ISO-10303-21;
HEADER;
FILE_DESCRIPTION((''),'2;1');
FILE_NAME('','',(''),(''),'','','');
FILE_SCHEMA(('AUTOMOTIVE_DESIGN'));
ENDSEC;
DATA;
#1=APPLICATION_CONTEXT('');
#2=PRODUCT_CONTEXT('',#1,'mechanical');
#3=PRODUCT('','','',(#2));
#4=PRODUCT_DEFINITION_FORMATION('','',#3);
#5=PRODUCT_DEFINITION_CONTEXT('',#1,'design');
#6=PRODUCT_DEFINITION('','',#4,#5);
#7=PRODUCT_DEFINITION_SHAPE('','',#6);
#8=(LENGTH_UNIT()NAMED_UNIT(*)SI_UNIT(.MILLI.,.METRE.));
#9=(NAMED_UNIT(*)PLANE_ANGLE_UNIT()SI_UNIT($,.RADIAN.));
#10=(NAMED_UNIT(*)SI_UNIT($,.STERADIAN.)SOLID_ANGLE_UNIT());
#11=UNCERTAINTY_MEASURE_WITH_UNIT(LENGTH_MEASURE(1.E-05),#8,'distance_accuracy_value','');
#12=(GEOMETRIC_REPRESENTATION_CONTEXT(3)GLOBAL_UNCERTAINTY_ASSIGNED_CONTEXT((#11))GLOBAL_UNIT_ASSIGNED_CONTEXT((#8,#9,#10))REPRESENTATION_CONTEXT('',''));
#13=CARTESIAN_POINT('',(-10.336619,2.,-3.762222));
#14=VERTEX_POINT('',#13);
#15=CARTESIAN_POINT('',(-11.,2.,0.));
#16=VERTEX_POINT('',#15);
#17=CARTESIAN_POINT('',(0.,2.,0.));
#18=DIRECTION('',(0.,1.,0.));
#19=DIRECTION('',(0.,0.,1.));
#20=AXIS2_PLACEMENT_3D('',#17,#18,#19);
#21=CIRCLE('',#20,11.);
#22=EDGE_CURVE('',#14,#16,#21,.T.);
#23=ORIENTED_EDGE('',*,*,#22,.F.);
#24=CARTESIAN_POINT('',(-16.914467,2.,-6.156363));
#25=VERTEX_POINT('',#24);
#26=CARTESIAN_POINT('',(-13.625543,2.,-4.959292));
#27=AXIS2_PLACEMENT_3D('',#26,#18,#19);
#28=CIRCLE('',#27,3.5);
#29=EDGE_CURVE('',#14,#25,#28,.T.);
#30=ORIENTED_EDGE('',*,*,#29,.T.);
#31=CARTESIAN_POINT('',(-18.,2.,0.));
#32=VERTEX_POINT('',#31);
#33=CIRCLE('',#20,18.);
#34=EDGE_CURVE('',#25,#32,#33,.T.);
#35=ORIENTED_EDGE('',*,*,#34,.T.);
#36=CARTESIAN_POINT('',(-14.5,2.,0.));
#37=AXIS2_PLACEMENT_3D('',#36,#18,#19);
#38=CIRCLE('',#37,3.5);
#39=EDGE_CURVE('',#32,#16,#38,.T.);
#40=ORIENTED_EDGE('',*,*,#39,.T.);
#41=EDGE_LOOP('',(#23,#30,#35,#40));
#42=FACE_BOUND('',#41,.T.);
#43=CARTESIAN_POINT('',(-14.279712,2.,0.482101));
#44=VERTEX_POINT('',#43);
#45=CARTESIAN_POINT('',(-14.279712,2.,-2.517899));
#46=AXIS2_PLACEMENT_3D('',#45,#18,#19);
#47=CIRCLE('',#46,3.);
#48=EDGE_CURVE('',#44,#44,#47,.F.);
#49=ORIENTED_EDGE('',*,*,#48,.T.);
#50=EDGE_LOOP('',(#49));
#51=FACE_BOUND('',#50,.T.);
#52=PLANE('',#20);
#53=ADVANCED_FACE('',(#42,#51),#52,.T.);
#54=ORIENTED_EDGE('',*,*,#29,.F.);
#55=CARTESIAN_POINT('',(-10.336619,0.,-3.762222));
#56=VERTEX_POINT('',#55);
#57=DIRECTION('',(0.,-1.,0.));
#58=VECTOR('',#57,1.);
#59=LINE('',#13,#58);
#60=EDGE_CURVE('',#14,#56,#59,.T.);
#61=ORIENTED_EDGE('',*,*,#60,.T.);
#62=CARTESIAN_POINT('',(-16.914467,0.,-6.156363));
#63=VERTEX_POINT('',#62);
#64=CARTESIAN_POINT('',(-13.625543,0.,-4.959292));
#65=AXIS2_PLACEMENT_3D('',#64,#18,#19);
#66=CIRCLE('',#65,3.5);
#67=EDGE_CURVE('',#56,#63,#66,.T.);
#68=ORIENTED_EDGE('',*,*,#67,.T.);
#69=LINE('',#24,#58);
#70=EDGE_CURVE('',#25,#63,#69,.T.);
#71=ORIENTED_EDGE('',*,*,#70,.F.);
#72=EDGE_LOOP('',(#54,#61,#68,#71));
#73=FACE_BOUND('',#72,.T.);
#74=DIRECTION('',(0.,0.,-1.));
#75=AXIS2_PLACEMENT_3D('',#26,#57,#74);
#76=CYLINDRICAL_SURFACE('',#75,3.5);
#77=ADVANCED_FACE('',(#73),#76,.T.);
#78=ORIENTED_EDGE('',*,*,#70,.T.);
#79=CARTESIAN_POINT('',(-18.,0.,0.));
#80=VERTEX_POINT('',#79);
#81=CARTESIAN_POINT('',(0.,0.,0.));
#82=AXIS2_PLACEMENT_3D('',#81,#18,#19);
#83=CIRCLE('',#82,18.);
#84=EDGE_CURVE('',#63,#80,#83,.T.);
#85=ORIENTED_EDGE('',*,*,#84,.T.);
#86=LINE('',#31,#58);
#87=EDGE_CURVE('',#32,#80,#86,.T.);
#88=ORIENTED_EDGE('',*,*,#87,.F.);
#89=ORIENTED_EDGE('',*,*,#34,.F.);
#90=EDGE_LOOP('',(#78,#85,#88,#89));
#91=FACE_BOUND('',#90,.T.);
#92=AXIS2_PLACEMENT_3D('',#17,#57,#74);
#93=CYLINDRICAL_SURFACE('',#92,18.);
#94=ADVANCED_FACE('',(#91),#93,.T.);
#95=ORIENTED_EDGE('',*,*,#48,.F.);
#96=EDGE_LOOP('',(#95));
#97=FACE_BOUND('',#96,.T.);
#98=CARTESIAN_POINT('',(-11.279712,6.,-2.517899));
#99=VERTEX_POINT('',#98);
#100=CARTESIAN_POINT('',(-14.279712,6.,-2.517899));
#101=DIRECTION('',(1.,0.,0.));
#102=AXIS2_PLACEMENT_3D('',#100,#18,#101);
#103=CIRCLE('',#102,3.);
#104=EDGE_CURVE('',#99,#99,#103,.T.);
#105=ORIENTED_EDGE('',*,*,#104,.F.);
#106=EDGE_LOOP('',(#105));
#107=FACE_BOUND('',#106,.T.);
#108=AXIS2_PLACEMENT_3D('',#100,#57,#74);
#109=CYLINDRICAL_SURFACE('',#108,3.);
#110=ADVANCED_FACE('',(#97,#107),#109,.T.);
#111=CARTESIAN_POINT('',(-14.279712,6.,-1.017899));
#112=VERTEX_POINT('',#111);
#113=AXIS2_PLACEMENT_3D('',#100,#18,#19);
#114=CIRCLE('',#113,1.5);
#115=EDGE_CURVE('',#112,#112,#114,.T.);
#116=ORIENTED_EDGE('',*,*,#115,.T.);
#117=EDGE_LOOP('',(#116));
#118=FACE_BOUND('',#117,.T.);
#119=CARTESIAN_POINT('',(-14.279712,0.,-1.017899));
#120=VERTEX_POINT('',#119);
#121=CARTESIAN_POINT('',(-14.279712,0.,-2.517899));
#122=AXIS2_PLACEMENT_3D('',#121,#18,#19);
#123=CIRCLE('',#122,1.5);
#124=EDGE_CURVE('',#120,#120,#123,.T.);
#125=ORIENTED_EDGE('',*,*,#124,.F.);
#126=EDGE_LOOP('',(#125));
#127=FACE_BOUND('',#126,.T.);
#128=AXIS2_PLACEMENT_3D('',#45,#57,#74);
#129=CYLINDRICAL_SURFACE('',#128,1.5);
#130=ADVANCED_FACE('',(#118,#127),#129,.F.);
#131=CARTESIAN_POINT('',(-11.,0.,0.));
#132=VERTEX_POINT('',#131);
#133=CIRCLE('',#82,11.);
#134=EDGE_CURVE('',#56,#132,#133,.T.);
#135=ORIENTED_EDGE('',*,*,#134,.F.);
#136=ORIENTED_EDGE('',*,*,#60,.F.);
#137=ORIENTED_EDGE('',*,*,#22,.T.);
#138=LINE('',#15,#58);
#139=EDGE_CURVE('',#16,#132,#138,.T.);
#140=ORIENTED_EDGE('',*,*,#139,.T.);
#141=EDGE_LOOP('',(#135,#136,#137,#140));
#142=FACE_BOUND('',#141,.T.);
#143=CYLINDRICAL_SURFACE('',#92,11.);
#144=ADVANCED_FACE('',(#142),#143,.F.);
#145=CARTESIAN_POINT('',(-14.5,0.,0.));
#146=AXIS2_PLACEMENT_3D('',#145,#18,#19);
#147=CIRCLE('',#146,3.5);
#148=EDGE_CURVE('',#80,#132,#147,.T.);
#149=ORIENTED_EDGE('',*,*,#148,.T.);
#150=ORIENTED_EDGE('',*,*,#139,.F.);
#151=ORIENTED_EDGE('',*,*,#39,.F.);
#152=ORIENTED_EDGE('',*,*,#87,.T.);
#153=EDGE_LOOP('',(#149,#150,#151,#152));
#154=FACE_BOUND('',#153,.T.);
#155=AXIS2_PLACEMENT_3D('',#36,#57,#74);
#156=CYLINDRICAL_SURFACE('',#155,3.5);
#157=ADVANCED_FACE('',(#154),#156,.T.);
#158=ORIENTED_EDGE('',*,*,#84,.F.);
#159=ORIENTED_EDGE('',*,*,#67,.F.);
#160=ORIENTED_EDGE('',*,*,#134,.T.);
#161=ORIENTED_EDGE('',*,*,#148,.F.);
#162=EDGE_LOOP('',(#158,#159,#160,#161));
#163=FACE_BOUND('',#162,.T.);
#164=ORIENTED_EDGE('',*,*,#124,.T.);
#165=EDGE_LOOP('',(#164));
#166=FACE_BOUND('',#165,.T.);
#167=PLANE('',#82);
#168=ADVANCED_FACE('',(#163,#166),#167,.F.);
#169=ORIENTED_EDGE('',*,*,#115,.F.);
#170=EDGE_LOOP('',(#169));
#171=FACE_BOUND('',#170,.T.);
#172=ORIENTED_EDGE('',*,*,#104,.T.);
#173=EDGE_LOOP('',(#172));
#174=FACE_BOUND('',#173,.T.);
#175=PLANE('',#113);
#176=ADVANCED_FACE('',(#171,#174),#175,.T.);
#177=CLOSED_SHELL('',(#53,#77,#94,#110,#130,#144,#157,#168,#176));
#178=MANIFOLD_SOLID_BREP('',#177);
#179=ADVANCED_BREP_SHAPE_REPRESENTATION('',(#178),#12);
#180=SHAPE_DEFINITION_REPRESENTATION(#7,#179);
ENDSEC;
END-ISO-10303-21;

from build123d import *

# Parameters (mm, degrees)
SKETCH_2_R        = 1.5
EXTRUDE_1_DEPTH   = 2
SKETCH_2_3_R      = 3
SKETCH_2_3_R_2    = 1.5
EXTRUDE_1_2_DEPTH = 6


with BuildPart() as part:
    # 草图2 → Extrude 1 (new body)
    with BuildSketch(Plane(origin=(0, 0, 0), x_dir=(1, 0, 0), z_dir=(0, 1, 0))):
        with BuildLine():
            ThreePointArc((-16.914467174, 6.15636258), (-17.726539554, 3.125667198), (-18, 0))
            ThreePointArc((-18, 0), (-14.5, -3.5), (-11, 0))
            ThreePointArc((-11, 0), (-10.832885283, 1.910129954), (-10.336618829, 3.762221577))
            ThreePointArc((-10.336618829, 3.762221577), (-12.4284725, 8.248216251), (-16.914467174, 6.15636258))
        make_face()
        with Locations(Location((-14.279712419, 2.517898576, 0), (0, 0, 270))):
            Circle(SKETCH_2_R, mode=Mode.SUBTRACT)
    extrude(amount=EXTRUDE_1_DEPTH)

    # 草图2<3> → Extrude 1 2 (add)
    with BuildSketch(Plane(origin=(0, 0, 0), x_dir=(1, 0, 0), z_dir=(0, 1, 0))):
        with Locations((-14.279712419, 2.517898576)):
            Circle(SKETCH_2_3_R)
        with Locations((-14.279712419, 2.517898576)):
            Circle(SKETCH_2_3_R_2, mode=Mode.SUBTRACT)
    extrude(amount=EXTRUDE_1_2_DEPTH)


solid = part.part
